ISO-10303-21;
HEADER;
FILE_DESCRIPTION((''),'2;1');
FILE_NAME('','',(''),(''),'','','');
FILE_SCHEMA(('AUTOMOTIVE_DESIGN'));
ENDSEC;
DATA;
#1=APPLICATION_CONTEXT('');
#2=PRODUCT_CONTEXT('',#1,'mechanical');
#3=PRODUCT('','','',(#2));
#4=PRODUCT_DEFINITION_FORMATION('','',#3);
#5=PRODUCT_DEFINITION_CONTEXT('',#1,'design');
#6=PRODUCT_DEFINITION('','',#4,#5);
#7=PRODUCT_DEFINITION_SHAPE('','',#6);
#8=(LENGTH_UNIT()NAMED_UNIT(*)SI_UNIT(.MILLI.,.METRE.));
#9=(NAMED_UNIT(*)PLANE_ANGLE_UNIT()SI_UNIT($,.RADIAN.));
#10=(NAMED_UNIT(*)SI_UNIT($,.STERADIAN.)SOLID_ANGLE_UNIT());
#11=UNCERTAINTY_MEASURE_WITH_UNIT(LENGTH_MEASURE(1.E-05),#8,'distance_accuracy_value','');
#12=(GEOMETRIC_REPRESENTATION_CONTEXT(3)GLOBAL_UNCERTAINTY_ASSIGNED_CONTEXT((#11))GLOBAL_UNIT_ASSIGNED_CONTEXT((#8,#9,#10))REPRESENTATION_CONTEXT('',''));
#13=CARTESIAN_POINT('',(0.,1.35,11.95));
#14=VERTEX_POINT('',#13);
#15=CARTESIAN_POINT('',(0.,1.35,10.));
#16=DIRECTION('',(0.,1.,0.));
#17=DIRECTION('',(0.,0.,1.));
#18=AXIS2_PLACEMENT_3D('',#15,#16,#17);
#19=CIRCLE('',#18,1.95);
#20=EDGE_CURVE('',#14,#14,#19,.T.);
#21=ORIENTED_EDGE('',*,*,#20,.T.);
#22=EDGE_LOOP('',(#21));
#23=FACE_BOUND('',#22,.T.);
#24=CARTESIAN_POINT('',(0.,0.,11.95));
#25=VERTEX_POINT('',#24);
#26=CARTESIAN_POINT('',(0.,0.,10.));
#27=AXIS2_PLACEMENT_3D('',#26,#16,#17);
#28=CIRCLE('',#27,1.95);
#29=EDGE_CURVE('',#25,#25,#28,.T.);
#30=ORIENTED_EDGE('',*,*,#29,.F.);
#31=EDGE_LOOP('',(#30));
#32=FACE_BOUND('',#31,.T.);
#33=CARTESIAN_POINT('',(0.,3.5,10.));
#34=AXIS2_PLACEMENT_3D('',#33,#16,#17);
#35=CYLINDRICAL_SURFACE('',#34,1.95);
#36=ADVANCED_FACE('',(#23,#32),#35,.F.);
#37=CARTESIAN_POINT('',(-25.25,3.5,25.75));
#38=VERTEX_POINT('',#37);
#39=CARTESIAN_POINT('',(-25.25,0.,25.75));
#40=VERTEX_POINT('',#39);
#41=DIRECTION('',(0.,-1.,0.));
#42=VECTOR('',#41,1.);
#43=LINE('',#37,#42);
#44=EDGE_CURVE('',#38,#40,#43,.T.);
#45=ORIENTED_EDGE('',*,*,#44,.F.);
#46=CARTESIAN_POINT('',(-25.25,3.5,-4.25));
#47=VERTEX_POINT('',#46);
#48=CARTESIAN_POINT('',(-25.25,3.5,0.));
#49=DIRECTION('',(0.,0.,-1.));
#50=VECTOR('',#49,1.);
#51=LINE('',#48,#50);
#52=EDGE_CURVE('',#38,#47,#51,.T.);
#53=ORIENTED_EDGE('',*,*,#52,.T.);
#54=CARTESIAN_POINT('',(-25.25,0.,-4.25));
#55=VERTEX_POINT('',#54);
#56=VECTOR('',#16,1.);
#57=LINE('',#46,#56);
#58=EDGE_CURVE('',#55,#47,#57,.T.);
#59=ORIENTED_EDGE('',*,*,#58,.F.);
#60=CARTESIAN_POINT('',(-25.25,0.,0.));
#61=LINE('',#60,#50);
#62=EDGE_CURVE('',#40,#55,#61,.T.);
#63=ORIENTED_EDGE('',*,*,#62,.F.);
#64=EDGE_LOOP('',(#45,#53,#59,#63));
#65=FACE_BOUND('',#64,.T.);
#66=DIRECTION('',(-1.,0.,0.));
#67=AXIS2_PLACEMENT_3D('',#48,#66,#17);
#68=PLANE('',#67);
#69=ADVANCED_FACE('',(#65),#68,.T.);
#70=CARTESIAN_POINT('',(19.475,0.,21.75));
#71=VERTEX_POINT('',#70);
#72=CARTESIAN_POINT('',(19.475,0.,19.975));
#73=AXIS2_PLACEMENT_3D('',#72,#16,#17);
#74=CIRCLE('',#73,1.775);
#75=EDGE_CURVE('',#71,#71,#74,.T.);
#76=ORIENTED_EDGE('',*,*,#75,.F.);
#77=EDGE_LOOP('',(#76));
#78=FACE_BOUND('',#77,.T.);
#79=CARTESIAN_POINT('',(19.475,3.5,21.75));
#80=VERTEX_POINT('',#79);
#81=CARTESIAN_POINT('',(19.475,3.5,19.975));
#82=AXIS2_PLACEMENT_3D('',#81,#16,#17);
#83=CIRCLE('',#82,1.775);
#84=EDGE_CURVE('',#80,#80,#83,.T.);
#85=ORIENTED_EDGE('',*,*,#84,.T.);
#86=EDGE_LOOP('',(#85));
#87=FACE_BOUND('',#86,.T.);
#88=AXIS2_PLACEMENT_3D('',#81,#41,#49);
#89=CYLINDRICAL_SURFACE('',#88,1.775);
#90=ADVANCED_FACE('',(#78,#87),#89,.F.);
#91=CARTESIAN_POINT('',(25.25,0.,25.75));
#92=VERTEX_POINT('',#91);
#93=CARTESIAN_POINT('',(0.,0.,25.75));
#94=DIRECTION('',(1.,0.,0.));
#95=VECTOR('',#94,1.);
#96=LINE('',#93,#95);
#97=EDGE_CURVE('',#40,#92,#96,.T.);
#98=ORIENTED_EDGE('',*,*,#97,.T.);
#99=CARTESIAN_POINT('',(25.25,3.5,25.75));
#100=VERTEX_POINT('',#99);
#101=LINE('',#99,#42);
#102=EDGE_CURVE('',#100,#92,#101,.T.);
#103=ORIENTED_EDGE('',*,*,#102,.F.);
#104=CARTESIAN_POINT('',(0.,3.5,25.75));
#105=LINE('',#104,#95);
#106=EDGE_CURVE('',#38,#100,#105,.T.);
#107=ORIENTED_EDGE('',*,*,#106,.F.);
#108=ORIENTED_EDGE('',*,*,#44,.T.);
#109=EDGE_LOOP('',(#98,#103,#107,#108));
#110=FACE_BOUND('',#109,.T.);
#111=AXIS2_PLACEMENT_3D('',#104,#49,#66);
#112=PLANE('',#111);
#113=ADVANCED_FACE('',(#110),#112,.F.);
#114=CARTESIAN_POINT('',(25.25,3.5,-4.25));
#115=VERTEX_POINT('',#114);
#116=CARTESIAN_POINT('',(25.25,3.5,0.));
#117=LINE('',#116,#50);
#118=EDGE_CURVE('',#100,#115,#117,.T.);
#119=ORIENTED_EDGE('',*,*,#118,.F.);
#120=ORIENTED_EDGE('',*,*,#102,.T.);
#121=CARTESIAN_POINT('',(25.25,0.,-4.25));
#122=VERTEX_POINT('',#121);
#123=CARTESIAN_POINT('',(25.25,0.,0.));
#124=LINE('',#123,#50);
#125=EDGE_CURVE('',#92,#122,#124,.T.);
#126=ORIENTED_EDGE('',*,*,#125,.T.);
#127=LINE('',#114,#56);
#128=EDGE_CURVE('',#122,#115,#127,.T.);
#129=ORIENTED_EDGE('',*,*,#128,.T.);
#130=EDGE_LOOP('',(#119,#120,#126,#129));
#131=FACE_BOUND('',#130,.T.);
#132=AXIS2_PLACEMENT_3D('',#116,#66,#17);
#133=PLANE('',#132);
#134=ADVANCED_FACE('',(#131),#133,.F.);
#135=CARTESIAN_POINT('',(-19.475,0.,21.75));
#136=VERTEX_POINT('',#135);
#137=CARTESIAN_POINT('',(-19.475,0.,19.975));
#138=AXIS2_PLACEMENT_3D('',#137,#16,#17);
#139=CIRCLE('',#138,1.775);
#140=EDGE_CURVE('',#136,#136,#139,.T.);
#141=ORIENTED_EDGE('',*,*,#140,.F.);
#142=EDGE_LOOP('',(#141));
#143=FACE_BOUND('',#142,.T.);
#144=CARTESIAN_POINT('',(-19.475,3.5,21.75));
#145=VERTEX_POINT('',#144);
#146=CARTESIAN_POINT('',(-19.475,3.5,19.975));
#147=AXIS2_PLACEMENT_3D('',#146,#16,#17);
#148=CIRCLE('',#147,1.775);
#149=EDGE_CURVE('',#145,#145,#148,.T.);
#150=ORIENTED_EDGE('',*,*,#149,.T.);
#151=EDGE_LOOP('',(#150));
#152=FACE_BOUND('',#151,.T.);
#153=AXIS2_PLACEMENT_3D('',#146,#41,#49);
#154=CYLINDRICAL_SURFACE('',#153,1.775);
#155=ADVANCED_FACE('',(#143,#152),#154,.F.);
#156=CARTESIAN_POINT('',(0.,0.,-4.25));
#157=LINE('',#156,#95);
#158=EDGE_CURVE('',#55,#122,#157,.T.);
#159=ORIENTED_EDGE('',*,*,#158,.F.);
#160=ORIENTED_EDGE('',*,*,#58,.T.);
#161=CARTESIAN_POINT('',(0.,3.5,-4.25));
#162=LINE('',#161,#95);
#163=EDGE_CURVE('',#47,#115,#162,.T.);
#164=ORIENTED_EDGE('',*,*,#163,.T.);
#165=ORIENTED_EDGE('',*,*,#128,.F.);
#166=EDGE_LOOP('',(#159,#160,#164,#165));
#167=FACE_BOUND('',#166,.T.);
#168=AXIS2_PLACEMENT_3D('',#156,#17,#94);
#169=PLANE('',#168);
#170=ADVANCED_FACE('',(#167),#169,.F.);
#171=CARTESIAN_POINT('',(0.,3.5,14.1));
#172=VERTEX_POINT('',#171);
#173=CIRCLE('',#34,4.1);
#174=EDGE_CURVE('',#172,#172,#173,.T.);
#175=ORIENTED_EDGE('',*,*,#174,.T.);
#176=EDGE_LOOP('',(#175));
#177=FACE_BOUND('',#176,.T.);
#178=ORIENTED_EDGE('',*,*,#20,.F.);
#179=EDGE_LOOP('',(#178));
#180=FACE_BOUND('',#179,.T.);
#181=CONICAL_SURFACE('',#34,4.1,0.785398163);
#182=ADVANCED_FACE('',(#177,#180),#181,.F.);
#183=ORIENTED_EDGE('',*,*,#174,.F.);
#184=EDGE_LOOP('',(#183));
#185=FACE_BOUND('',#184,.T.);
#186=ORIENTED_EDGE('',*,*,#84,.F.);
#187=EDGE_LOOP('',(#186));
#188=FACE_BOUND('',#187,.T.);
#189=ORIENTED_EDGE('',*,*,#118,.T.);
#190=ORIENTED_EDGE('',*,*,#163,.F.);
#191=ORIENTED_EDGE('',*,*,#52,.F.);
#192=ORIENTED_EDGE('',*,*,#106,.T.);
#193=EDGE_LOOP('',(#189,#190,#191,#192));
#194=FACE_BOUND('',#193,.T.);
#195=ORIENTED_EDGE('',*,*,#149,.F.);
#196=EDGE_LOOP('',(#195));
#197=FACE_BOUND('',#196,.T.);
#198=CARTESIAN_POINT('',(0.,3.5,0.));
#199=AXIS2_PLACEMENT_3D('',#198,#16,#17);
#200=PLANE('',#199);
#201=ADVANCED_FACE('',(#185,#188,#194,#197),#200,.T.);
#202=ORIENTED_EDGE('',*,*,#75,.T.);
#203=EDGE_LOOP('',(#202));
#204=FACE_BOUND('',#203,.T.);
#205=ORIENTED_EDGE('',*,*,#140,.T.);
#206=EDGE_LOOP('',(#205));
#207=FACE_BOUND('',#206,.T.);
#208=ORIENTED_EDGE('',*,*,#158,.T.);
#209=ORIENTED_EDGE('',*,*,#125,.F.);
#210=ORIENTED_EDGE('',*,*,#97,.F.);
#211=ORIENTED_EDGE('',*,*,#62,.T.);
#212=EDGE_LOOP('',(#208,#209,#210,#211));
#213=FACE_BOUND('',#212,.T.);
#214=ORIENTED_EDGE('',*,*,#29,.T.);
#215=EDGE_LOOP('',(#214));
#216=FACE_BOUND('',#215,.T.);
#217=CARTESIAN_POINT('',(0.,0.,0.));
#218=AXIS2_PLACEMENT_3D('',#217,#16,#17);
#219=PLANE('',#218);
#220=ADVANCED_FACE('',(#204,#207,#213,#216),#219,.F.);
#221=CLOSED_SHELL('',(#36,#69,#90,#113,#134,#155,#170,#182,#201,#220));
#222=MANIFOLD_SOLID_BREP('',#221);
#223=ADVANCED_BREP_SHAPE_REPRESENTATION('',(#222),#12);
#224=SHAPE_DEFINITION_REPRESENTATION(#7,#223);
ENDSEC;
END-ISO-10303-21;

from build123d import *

# Parameters (mm, degrees)
SKETCH1_W                                      = 50.5
SKETCH1_H                                      = 51.5
SKETCH1_R                                      = 1.775
BOSS_EXTRUDE1_DEPTH                            = 3.5
CSK_FOR_M3_5_FLAT_HEAD_MACHINE_SCREW1_AT_COUNT = 2
CSK_FOR_M3_5_FLAT_HEAD_MACHINE_SCREW1_AT_PITCH = 20


with BuildPart() as part:
    # Sketch1 → Boss-Extrude1 (new body)
    with BuildSketch(Plane(origin=(0, 0, 0), x_dir=(1, 0, 0), z_dir=(0, 1, 0))):
        Rectangle(SKETCH1_W, SKETCH1_H)
        with Locations(Location((-19.475, 19.975, 0), (0, 0, 270))):
            Circle(SKETCH1_R, mode=Mode.SUBTRACT)
        with Locations(Location((19.475, 19.975, 0), (0, 0, 270))):
            Circle(SKETCH1_R, mode=Mode.SUBTRACT)
        with Locations(Location((19.475, -19.975, 0), (0, 0, 270))):
            Circle(SKETCH1_R, mode=Mode.SUBTRACT)
        with Locations(Location((-19.475, -19.975, 0), (0, 0, 270))):
            Circle(SKETCH1_R, mode=Mode.SUBTRACT)
    extrude(amount=BOSS_EXTRUDE1_DEPTH)

    # Sketch4 → CSK for M3.5 Flat Head Machine Screw1 (revolve, cut)
    with BuildSketch(Plane(origin=(0, 3.5, -10), x_dir=(0, 0, 1), z_dir=(1, 0, 0))):
        Polygon((0, 0), (0, 3.5), (1.95, 3.5), (1.95, 2.15), (4.1, 0), align=None)
    csk_for_m3_5_flat_head_machine_screw1 = revolve(axis=Axis((0, 9.85, -10), (0, -1, 0)), mode=Mode.SUBTRACT)

    # CSK for M3.5 Flat Head Machine Screw1 at: CSK for M3.5 Flat Head Machine Screw1 ×2
    with Locations(*[(0, 0, i * CSK_FOR_M3_5_FLAT_HEAD_MACHINE_SCREW1_AT_PITCH) for i in range(1, CSK_FOR_M3_5_FLAT_HEAD_MACHINE_SCREW1_AT_COUNT)]):
        add(csk_for_m3_5_flat_head_machine_screw1, mode=Mode.SUBTRACT)

    # Split1
    split(bisect_by=Plane.XY.offset(-4.25), keep=Keep.TOP)


solid = part.part
